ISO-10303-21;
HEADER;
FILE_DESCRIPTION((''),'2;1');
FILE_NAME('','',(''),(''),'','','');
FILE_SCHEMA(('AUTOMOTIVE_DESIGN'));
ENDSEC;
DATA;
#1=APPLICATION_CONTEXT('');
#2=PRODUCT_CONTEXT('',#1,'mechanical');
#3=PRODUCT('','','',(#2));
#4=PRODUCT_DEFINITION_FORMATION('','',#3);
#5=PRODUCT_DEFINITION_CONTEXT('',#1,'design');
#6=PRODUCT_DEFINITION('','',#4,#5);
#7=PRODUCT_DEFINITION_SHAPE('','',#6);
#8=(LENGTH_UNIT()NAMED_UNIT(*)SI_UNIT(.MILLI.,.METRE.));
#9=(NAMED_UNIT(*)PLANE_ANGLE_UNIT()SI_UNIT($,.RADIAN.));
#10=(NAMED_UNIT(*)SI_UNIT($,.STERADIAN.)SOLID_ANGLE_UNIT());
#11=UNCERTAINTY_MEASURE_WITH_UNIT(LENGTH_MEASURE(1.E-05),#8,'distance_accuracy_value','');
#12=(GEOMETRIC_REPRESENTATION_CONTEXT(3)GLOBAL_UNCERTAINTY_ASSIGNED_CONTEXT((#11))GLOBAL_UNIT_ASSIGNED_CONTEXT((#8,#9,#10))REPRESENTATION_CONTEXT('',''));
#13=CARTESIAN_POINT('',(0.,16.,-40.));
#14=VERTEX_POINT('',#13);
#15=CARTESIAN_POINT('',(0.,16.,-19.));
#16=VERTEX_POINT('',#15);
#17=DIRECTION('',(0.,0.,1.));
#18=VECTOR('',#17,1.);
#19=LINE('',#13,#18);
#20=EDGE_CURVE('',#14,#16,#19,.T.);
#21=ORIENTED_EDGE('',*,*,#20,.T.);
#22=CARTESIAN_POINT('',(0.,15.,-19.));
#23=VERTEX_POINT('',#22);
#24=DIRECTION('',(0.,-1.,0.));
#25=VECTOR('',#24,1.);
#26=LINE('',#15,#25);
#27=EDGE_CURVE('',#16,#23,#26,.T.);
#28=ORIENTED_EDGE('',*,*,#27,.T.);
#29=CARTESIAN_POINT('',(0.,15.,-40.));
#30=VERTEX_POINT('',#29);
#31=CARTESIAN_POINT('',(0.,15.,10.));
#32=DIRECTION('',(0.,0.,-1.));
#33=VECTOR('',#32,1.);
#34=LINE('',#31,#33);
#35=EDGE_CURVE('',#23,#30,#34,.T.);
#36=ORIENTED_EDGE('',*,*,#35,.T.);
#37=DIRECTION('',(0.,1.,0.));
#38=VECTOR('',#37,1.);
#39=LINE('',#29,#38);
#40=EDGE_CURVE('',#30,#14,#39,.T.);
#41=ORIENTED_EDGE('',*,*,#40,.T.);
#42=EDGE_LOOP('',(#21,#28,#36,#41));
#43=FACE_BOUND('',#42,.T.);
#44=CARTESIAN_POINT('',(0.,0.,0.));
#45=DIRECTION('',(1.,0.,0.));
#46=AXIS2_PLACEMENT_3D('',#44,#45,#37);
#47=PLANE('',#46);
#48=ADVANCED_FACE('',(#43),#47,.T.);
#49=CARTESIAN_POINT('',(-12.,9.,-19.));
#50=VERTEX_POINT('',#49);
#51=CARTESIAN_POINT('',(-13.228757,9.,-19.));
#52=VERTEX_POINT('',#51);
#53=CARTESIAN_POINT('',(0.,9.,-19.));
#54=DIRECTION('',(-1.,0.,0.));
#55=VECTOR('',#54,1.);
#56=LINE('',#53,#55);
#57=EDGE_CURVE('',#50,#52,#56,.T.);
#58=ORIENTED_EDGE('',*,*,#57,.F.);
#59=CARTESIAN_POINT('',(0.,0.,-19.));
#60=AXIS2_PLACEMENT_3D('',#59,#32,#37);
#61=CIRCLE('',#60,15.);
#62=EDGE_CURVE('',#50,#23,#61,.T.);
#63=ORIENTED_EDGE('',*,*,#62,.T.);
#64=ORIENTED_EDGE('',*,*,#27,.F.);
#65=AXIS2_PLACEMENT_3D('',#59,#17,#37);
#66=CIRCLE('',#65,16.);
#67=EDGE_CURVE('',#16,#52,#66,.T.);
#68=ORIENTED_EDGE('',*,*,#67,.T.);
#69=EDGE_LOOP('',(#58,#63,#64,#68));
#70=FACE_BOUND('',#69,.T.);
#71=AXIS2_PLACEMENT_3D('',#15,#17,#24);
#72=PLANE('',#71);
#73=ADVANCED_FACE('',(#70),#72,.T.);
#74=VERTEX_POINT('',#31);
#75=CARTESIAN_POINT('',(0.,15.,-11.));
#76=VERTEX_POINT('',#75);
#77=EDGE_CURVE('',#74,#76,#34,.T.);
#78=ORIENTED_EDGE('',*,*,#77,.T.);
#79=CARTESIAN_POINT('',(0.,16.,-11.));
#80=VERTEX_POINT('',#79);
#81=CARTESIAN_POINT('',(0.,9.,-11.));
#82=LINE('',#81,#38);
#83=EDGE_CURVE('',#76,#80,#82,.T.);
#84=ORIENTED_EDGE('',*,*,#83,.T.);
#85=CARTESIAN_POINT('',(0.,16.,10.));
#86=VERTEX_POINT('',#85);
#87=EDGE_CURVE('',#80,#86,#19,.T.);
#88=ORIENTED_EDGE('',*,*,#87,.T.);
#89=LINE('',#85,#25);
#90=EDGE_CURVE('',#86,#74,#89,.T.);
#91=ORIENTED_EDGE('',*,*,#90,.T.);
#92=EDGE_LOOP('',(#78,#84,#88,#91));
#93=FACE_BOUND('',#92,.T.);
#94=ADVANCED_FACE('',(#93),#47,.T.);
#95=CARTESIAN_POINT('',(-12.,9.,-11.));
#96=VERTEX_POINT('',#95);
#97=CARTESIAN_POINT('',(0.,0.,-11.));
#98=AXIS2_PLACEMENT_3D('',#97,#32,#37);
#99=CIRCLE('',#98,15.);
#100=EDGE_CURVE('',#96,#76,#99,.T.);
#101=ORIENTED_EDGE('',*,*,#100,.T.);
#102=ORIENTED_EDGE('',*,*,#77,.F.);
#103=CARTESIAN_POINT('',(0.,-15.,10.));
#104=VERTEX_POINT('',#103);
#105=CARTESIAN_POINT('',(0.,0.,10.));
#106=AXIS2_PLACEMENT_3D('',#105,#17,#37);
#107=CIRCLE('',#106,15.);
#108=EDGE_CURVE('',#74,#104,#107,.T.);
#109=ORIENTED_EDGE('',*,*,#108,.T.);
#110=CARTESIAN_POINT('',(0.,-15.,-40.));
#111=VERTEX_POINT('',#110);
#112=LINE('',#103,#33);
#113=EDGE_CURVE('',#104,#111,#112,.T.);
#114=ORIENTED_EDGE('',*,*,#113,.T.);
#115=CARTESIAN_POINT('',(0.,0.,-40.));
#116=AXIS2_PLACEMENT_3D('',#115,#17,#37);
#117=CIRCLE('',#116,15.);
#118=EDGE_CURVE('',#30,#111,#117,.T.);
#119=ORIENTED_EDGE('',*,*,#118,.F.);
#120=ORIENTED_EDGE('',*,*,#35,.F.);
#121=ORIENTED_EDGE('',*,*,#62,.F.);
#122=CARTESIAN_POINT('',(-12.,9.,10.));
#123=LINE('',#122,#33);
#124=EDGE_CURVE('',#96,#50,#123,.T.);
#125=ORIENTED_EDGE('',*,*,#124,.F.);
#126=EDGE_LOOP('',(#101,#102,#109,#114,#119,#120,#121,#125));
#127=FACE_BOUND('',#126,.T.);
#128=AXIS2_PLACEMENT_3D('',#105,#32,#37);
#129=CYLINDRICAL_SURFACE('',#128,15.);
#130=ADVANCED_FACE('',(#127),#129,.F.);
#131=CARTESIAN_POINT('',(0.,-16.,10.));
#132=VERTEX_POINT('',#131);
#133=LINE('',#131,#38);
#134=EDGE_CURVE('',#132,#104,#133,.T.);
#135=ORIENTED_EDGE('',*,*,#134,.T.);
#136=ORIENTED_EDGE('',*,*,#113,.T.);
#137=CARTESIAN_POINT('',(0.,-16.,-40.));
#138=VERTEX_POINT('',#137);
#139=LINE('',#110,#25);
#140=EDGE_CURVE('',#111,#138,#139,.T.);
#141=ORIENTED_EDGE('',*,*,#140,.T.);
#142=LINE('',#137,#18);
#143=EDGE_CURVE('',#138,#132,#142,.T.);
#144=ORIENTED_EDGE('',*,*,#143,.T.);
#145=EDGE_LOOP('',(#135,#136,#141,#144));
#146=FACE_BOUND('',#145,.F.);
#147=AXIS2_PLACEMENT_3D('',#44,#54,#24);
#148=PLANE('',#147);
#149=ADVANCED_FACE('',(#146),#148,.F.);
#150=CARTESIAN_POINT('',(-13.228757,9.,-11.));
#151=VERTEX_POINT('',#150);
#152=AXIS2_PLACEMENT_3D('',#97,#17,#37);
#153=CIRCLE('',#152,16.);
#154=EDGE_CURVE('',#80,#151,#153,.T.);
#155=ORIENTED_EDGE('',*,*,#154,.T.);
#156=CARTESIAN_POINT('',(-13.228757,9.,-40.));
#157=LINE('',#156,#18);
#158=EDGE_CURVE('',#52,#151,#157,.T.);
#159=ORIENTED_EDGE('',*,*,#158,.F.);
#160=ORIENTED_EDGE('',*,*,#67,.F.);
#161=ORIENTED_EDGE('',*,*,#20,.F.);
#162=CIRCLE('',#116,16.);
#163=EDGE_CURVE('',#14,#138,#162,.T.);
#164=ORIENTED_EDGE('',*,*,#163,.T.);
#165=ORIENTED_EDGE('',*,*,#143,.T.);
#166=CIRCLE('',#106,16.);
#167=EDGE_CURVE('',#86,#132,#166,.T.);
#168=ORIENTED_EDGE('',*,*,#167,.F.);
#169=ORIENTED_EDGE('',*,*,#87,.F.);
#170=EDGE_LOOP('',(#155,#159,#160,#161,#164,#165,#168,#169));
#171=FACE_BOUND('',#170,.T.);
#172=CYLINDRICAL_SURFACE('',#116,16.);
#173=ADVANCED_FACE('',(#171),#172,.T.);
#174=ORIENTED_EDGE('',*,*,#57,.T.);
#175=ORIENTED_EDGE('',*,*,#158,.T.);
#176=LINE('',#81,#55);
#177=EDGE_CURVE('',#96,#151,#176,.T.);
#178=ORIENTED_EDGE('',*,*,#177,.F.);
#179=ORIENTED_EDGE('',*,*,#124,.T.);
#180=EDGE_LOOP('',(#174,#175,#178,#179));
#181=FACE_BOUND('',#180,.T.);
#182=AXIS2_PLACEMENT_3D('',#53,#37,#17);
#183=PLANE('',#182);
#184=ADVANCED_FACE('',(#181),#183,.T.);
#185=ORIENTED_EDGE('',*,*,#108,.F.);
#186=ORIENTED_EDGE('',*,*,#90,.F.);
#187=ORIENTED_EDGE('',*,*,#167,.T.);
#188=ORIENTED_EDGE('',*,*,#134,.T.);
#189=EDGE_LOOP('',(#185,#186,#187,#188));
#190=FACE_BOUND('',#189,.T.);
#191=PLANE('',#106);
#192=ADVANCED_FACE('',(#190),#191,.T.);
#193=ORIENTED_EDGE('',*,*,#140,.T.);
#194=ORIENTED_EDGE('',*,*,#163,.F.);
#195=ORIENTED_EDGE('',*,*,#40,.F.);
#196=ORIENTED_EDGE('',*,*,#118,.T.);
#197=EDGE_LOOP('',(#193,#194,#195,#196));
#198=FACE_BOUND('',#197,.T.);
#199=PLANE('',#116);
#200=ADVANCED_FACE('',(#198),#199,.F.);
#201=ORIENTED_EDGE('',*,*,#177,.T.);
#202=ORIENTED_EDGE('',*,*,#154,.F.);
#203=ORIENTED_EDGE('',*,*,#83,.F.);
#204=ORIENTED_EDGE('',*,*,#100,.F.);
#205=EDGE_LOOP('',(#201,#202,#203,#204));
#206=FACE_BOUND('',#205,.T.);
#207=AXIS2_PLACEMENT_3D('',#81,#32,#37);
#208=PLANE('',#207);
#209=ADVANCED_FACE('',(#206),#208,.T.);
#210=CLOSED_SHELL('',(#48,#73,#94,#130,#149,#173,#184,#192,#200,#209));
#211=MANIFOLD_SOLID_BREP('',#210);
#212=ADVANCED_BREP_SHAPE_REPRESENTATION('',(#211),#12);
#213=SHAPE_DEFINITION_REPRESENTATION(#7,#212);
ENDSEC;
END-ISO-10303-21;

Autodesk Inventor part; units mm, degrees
ref_plane "YZ Plane" through (0, 0, 0) normal (1, 0, 0) x (0, 1, 0)
ref_plane "XZ Plane" through (0, 0, 0) normal (0, 1, 0) x (-1, 0, 0)
ref_plane "XY Plane" through (0, 0, 0) normal (0, 0, 1) x (1, 0, 0)
sketch "スケッチ1" plane through (0, 0, 0) normal (1, 0, 0) x (0, 1, 0)
  line L0 (0, 0) -> (15, 0) construction
  line L1 (15, 0) -> (15, -40) construction
  line L2 (15, -40) -> (16, -40)
  line L3 (16, -40) -> (16, 10)
  line L4 (16, 10) -> (15, 10)
  line L5 (15, 10) -> (15, -40)
  line L6 (0, -50) -> (0, 20) projected
  dimension "d0" = 15
  dimension "d2" = 1
  dimension "d3" = 50
revolve "回転1" add sketch "スケッチ1" angle 180 about axis through (0, 0, -10) along (0, 0, 1)
sketch "スケッチ2" plane through (0, 15, 10) normal (1, 0, 0) x (0, 0, -1)
  line L0 (50, 1) -> (0, 1) projected
  line L1 (0, 1) -> (21, 1)
  line L2 (21, 1) -> (29, 1)
  line L3 (29, 1) -> (29, -6)
  line L4 (29, -6) -> (21, -6)
  line L5 (21, -6) -> (21, 1)
  line L6 (0, 1) -> (0, 0) projected
  point P0 (10, -15)
  point P1 (29, 1)
  dimension "d6" = 8
  dimension "d7" = 7
  dimension "d10" = 21
extrude "押し出し1" cut sketch "スケッチ2" against normal through all
properties part number "cover-pipe_L50" material "ステンレス鋼"
